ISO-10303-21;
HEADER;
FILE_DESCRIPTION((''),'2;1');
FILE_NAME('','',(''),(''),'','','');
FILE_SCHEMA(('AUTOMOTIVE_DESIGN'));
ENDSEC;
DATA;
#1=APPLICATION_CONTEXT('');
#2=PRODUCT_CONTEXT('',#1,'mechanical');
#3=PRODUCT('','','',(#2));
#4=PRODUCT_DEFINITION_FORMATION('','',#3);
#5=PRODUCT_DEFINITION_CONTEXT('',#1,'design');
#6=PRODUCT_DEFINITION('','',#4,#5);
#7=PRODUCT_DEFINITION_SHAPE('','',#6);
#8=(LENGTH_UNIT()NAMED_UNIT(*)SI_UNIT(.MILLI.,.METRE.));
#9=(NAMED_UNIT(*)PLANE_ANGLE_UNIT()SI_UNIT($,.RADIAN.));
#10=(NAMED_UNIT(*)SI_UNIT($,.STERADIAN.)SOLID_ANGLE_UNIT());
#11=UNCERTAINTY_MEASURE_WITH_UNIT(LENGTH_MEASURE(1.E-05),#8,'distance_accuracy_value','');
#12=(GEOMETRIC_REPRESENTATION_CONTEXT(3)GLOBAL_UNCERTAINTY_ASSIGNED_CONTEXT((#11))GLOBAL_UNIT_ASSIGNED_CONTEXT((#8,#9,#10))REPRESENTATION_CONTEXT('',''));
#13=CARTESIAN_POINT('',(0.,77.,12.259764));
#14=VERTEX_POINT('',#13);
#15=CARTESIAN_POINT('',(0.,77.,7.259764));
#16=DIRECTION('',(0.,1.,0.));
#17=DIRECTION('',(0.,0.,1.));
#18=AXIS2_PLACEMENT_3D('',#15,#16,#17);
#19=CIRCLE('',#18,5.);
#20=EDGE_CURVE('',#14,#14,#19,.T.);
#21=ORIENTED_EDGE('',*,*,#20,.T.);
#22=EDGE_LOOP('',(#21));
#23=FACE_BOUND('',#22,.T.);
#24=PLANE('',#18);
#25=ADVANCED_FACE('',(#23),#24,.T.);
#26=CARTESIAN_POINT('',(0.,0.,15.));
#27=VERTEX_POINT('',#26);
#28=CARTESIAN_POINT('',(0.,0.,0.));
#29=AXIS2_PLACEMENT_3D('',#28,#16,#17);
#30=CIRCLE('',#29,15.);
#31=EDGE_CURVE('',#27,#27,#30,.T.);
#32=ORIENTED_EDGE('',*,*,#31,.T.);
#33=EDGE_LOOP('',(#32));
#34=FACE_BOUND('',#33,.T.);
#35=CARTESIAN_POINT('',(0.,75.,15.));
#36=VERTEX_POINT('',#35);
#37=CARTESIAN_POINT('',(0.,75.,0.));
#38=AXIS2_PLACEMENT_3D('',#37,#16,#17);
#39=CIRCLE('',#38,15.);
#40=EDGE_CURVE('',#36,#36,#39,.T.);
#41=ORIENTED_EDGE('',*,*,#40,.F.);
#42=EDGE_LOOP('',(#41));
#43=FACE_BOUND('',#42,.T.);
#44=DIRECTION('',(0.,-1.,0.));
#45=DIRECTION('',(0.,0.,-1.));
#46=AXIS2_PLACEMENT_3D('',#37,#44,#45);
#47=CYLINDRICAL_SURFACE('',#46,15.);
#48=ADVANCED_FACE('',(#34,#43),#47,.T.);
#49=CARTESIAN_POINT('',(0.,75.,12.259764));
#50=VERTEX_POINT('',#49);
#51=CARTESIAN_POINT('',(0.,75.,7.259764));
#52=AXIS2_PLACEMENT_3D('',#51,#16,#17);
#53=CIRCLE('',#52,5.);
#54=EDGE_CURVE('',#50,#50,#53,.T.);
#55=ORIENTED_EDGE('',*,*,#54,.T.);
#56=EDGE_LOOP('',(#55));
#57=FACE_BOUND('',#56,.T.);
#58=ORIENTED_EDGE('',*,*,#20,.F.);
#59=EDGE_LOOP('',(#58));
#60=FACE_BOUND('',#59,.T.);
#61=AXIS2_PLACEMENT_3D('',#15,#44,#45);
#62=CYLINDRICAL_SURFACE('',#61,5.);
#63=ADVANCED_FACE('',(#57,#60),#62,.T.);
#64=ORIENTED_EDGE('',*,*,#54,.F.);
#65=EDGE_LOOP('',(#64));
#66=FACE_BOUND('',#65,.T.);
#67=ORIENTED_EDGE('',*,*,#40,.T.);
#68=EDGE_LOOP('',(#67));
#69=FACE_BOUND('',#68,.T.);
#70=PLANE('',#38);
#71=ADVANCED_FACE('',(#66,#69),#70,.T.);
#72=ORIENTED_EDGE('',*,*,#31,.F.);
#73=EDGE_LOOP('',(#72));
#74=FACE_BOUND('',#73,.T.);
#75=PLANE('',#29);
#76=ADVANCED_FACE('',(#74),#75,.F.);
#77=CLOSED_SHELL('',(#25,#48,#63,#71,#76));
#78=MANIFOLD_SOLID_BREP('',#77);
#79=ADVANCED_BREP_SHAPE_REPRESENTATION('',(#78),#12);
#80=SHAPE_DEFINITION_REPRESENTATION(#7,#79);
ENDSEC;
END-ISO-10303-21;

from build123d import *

# Parameters (mm, degrees)
SKETCH1_R           = 15
BOSS_EXTRUDE1_DEPTH = 75
SKETCH2_R           = 5
BOSS_EXTRUDE2_DEPTH = 2


with BuildPart() as part:
    # Sketch1 → Boss-Extrude1 (new body)
    with BuildSketch(Plane(origin=(0, 0, 0), x_dir=(1, 0, 0), z_dir=(0, 1, 0))):
        Circle(SKETCH1_R)
    extrude(amount=BOSS_EXTRUDE1_DEPTH)

    # Sketch2 → Boss-Extrude2 (add)
    with BuildSketch(Plane(origin=(0, 75, 0), x_dir=(1, 0, 0), z_dir=(0, 1, 0))):
        with Locations((0, -7.259763651)):
            Circle(SKETCH2_R)
    extrude(amount=BOSS_EXTRUDE2_DEPTH)


solid = part.part
